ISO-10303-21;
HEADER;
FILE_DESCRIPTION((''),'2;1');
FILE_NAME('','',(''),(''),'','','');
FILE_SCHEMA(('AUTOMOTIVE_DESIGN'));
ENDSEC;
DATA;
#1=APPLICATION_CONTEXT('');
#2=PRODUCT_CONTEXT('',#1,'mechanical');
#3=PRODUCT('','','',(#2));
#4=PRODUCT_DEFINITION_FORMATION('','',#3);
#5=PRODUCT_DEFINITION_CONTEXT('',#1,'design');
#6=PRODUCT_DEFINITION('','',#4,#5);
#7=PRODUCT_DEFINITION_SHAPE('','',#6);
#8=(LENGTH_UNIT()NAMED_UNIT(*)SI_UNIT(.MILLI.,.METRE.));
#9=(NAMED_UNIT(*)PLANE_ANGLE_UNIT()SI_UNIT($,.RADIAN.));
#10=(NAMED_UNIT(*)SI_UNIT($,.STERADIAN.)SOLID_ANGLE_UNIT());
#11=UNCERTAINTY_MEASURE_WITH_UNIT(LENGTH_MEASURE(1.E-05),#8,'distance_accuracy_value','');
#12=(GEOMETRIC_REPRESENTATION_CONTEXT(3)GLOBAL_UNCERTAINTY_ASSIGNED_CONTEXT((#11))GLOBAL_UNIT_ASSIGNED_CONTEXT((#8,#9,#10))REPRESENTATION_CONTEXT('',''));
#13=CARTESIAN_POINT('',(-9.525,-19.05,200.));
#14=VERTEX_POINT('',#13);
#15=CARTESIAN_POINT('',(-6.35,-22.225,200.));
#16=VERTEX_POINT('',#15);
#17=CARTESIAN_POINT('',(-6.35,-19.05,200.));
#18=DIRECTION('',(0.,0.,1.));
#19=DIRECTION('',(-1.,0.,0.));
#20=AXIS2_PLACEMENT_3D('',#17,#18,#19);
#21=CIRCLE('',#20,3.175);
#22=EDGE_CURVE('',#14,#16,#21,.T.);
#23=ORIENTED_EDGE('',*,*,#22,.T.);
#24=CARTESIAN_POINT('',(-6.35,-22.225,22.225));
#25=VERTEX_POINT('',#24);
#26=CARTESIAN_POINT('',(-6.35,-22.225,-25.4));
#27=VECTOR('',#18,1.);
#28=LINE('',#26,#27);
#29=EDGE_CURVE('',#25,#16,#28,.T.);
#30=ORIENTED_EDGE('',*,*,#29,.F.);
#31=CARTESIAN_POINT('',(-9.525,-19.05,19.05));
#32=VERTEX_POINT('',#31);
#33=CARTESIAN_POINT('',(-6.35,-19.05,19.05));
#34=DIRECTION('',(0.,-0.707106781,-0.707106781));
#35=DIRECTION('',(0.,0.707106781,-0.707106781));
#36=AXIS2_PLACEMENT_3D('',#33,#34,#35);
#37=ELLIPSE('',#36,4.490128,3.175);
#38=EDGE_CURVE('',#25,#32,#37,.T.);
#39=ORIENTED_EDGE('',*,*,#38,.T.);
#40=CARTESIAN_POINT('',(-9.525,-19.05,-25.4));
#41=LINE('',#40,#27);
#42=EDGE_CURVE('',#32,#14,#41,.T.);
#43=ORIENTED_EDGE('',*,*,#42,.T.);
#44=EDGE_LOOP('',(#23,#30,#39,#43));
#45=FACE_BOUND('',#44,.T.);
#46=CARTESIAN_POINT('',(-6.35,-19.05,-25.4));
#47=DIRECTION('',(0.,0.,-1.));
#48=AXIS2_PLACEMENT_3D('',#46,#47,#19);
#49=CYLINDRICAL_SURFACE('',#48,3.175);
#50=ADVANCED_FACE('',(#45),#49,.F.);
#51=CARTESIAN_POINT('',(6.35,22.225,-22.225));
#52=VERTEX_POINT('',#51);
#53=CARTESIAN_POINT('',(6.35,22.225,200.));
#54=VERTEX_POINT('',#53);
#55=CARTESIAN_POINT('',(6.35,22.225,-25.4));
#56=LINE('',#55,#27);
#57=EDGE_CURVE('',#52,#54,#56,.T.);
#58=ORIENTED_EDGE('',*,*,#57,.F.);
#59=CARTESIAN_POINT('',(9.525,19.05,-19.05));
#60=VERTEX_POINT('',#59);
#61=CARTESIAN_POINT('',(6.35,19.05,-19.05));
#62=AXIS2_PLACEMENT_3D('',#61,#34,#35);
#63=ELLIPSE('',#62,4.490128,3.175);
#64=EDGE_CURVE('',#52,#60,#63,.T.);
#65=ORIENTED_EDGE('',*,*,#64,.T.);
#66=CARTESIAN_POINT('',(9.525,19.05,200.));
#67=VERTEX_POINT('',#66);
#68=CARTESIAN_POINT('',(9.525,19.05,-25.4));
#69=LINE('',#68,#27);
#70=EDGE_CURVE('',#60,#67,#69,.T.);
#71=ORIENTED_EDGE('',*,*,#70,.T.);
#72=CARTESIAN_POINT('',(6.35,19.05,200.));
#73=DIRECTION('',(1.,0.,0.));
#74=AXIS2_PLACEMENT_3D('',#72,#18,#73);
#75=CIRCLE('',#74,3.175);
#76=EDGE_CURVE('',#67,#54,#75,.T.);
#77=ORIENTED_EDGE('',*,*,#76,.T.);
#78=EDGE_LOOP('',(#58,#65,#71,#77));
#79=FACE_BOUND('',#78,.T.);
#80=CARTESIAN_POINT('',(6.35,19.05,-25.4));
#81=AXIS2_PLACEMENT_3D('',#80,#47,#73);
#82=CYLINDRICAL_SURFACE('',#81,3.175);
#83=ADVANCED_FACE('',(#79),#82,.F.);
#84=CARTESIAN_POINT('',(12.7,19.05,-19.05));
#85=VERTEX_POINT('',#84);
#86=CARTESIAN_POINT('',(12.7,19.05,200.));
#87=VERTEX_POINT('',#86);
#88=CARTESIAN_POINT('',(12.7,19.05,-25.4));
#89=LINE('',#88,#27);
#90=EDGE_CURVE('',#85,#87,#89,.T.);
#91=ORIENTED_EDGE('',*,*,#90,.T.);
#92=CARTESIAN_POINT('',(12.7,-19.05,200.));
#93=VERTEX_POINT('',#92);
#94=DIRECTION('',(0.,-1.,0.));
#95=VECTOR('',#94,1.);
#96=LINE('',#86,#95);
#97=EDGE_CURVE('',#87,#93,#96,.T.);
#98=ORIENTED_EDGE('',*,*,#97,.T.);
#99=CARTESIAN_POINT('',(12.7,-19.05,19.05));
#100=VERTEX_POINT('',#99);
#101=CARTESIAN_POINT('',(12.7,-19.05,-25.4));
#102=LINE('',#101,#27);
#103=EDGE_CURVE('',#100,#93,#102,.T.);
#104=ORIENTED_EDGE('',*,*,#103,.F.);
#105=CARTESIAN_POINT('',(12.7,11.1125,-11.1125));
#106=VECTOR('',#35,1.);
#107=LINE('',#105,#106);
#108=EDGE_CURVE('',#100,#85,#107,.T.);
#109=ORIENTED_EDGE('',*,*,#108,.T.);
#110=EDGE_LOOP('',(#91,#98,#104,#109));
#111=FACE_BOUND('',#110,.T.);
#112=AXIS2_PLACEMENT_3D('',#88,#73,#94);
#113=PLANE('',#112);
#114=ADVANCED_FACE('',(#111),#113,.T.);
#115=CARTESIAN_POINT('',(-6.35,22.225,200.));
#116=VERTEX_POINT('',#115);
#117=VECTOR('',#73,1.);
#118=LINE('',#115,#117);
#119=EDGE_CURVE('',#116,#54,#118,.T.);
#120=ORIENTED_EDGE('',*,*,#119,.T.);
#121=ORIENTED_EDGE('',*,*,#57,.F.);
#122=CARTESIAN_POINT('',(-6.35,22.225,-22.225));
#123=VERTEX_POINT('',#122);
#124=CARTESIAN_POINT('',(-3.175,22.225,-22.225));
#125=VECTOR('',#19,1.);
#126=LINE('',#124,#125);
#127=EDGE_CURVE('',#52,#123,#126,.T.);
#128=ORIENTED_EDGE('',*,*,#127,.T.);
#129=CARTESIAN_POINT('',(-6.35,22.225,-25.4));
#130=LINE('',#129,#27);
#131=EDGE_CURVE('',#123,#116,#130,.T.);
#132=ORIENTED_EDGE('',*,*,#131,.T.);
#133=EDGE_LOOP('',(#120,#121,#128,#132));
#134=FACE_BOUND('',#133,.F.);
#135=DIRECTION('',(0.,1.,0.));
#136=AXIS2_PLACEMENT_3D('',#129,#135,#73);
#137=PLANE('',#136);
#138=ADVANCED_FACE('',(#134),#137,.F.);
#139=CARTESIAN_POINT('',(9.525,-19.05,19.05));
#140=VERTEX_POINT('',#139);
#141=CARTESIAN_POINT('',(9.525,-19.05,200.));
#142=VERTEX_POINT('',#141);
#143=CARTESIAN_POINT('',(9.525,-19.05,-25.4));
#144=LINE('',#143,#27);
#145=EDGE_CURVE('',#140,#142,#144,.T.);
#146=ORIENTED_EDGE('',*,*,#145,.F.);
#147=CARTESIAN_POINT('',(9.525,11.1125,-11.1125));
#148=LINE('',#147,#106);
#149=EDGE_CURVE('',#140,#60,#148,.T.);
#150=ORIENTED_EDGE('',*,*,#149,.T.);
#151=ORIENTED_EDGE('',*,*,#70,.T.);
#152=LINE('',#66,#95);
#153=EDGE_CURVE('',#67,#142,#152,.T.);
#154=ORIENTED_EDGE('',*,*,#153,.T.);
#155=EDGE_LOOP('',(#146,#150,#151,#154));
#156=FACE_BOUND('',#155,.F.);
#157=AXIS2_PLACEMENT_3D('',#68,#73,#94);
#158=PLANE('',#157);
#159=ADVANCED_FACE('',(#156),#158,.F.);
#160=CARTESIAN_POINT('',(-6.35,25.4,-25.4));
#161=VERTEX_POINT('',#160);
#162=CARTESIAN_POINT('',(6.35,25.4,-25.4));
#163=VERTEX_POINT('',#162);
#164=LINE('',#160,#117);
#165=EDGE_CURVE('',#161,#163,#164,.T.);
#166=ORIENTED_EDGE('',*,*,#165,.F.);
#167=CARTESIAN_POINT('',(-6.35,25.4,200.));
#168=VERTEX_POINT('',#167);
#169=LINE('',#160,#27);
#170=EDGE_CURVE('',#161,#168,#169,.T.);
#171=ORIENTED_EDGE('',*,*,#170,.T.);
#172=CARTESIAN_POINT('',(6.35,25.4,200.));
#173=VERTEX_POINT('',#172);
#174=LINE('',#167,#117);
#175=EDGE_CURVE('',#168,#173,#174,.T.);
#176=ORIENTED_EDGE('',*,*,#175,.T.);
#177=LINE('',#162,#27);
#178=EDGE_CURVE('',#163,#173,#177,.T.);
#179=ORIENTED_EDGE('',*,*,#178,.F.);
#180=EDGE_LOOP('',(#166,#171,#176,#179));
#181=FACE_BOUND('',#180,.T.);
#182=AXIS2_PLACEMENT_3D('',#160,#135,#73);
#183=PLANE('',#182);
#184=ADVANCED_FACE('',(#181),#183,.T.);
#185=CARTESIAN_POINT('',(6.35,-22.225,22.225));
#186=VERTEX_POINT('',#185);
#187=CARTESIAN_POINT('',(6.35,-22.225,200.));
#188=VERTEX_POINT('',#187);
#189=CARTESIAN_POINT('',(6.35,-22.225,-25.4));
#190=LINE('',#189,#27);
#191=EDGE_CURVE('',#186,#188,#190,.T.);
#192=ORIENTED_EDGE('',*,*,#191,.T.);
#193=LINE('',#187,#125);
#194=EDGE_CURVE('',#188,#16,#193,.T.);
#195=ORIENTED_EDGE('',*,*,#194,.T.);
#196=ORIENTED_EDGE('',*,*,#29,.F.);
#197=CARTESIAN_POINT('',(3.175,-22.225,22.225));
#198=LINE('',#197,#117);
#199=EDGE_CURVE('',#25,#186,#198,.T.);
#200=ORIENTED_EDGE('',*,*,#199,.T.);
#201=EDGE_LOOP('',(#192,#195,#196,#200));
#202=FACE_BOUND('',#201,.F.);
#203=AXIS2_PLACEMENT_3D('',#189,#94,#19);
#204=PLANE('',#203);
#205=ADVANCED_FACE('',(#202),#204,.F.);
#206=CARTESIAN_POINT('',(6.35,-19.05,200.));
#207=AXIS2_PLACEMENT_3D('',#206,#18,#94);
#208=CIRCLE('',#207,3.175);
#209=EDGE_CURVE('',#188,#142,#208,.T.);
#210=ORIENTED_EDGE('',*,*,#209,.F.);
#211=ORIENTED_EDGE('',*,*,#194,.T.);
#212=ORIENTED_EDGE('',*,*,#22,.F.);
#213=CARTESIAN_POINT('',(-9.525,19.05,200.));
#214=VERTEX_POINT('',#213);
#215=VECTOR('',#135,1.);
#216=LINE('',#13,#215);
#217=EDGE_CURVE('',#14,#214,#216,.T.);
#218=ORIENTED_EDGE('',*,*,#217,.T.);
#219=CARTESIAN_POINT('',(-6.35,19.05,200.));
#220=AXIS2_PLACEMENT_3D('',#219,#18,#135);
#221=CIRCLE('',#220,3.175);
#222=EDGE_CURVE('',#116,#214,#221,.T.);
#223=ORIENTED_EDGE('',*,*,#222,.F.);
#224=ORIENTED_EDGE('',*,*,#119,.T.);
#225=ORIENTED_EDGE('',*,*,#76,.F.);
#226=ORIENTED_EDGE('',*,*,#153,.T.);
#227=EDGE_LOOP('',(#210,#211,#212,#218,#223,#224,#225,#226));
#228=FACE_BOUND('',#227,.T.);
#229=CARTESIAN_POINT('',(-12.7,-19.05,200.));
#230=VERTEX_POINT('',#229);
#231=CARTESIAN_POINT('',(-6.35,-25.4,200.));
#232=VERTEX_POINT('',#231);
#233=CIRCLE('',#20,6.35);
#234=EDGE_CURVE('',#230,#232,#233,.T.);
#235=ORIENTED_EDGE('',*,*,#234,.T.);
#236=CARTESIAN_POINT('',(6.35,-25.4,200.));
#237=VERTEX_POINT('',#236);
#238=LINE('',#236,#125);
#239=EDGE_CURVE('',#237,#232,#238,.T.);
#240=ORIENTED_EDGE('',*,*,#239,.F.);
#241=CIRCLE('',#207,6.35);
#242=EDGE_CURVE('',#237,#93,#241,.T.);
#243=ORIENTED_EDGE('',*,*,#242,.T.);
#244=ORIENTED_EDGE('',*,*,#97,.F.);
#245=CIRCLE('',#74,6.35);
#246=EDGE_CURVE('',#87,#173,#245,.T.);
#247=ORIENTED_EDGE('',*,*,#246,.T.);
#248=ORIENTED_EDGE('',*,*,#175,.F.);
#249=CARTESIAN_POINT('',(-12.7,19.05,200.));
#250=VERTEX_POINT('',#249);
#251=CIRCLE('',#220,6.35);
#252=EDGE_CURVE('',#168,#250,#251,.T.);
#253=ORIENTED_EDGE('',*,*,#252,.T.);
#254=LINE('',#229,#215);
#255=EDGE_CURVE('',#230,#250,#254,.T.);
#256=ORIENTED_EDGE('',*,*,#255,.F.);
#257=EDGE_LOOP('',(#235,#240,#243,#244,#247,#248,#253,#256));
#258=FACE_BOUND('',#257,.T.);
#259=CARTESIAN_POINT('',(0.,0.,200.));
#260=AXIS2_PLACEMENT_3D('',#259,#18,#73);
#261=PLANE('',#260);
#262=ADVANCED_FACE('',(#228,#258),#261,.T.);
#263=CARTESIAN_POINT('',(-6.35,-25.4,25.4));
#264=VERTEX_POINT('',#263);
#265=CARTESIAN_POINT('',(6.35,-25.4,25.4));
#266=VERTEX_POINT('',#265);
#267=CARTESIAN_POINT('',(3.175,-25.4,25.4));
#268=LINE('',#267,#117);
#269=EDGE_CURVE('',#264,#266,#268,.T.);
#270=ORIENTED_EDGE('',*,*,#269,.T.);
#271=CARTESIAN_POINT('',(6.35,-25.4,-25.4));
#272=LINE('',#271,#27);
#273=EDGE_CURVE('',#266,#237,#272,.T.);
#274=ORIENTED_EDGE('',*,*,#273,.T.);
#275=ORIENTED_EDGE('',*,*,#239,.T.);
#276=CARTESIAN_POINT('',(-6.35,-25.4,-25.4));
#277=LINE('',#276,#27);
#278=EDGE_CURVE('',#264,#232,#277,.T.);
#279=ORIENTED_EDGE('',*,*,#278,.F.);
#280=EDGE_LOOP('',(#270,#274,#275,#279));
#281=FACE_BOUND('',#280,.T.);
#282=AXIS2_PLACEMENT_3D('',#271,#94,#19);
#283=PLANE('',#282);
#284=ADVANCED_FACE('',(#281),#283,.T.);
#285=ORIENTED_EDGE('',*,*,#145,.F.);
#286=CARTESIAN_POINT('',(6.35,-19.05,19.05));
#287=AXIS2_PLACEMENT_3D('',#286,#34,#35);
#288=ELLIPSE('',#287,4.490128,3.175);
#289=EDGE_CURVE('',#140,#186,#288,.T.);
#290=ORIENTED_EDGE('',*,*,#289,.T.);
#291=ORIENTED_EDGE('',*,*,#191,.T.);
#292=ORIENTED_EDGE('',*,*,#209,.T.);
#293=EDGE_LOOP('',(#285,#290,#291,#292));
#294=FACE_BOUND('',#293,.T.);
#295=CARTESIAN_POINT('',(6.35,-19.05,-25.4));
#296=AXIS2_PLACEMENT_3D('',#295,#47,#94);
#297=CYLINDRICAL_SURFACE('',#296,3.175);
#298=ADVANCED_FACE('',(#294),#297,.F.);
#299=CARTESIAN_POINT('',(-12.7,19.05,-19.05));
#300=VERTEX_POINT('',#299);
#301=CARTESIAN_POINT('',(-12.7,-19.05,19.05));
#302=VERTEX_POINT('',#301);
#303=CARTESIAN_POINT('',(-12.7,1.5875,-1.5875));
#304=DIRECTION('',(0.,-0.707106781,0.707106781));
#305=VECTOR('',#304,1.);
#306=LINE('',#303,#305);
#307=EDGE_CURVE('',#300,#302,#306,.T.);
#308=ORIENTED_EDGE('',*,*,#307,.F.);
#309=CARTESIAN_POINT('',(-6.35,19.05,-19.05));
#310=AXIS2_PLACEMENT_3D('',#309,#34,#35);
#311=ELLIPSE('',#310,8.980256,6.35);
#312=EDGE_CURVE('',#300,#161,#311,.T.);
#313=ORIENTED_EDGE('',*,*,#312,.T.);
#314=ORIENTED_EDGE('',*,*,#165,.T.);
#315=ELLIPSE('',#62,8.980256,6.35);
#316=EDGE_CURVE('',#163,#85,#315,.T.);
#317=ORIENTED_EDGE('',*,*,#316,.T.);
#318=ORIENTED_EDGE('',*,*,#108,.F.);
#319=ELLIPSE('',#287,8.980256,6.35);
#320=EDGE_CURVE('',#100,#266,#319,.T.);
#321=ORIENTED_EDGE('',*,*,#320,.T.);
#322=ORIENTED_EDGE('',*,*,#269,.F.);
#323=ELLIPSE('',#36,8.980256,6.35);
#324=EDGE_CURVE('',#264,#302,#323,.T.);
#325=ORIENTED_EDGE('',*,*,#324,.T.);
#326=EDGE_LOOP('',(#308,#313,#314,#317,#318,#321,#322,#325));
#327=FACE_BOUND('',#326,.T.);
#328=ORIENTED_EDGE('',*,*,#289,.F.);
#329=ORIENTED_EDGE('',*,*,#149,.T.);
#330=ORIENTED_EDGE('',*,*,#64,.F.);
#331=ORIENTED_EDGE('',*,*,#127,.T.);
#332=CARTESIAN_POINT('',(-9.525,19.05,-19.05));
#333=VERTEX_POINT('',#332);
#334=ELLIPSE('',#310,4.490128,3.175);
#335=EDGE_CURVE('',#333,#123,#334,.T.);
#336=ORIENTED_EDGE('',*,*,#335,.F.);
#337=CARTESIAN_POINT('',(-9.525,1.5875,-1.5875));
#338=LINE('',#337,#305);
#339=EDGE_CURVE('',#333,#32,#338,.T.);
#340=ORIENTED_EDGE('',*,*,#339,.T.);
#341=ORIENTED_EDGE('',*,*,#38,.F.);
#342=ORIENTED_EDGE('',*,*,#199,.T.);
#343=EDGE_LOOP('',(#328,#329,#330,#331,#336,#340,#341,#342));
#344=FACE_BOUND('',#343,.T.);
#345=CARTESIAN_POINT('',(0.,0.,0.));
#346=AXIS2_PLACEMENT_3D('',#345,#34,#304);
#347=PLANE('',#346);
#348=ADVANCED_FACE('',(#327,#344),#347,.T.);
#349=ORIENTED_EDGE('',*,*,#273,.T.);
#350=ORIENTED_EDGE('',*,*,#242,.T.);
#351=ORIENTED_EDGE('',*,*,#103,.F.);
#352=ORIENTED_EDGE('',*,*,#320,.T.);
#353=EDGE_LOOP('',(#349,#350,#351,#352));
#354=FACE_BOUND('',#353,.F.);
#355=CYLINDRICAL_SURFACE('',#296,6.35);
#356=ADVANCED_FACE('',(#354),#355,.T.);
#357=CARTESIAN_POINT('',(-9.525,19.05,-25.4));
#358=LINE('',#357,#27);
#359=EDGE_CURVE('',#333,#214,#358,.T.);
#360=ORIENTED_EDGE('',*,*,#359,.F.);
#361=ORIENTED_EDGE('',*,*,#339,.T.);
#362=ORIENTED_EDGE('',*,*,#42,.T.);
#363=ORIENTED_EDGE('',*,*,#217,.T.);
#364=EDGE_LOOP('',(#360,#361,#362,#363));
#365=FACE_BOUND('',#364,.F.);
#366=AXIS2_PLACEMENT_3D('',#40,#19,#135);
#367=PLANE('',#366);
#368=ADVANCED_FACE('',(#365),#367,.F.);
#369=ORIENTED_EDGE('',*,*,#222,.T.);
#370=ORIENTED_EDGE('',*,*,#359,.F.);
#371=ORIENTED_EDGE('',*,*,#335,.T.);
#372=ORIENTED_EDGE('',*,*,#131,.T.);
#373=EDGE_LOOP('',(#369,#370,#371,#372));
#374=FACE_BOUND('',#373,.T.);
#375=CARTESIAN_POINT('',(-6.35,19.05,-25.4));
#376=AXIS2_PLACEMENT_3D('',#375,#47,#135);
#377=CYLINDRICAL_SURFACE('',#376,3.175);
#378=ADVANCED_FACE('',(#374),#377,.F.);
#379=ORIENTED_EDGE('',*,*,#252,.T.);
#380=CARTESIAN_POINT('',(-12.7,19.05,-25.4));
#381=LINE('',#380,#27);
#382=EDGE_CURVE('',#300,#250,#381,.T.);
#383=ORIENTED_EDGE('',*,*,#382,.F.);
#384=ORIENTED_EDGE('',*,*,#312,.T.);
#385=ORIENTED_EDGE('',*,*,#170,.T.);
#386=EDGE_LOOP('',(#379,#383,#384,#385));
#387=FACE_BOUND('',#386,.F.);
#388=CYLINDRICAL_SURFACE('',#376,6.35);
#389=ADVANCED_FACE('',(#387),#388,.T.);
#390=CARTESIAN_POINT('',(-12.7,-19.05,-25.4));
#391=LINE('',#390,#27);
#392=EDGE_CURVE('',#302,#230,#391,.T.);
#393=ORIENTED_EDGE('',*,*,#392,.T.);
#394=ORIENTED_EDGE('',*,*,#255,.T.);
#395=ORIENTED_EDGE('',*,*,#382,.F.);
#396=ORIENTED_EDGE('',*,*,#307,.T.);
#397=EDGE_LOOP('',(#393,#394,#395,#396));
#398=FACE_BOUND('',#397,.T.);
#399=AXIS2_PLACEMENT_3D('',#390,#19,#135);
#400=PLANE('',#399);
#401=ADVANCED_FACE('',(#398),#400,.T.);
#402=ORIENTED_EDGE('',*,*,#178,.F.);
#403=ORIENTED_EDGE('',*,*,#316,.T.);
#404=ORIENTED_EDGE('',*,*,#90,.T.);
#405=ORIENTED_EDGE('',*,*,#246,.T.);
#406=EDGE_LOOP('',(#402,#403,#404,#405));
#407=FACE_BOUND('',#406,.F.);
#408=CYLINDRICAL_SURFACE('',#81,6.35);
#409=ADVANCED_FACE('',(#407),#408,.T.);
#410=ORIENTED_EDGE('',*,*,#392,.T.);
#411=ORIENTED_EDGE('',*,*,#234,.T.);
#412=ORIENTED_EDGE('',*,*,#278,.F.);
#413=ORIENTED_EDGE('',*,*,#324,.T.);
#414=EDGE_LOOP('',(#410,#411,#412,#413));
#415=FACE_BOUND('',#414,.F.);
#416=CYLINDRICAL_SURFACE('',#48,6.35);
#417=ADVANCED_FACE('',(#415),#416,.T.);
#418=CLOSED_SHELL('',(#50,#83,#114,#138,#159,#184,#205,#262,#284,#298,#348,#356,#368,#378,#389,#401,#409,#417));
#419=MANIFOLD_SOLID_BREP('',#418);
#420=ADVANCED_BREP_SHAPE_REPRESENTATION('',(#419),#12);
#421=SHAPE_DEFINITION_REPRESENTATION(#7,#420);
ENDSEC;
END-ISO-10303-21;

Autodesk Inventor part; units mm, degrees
ref_plane "Start Plane" through (0, 0, -25.4) normal (0, 0, 1) x (1, 0, 0)
ref_plane "End Plane" through (0, 0, 200) normal (0, 0, 1) x (1, 0, 0)
sketch "Sketch" plane through (0, 0, 0) normal (0, 0, 1) x (1, 0, 0)
  line L0 (-12.7, -19.05) -> (-12.7, 19.05)
  line L1 (-6.35, 25.4) -> (6.35, 25.4)
  line L2 (12.7, 19.05) -> (12.7, -19.05)
  line L3 (6.35, -25.4) -> (-6.35, -25.4)
  arc A0 (-12.7, -19.05) -> (-6.35, -25.4) centre (-6.35, -19.05) ccw
  arc A1 (-6.35, 25.4) -> (-12.7, 19.05) centre (-6.35, 19.05) ccw
  arc A2 (12.7, 19.05) -> (6.35, 25.4) centre (6.35, 19.05) ccw
  arc A3 (6.35, -25.4) -> (12.7, -19.05) centre (6.35, -19.05) ccw
  arc A4 (-6.35, 22.225) -> (-9.525, 19.05) centre (-6.35, 19.05) ccw
  line L4 (-6.35, 22.225) -> (6.35, 22.225)
  arc A5 (9.525, 19.05) -> (6.35, 22.225) centre (6.35, 19.05) ccw
  line L5 (9.525, 19.05) -> (9.525, -19.05)
  arc A6 (6.35, -22.225) -> (9.525, -19.05) centre (6.35, -19.05) ccw
  line L6 (6.35, -22.225) -> (-6.35, -22.225)
  arc A7 (-9.525, -19.05) -> (-6.35, -22.225) centre (-6.35, -19.05) ccw
  line L7 (-9.525, -19.05) -> (-9.525, 19.05)
  line L8 (0, 37.4012) -> (0, -37.4012) construction
  line L9 (-19.6212, 0) -> (19.6212, 0) construction
  dimension "d10" = 50.8
  dimension "d11" = 25.4
  dimension "d12" = 3.175
  dimension "d15" = 25.4
  dimension "d16" = 12.7
  dimension "d17" = 6.35
extrude "Body" add sketch "Sketch" along normal up to surface (225.4 mm away) from surface at -25.4
sketch "Sketch3" plane through (0, 0, 0) normal (0, 0, 1) x (1, 0, 0)
  line L0 (0, 0) -> (10, 0)
ref_plane "Work Plane3" through (0, 0, 0) normal (0, -1, 0) x (1, 0, 0)
ref_plane "Work Plane4" through (0, 0, 0) normal (0, -0.7071, -0.7071) x (1, 0, 0)
split "Split1" plane through (0, 0, 0) removes the side toward (0, -0.7071, -0.7071)
sketch "Sketch4" plane through (0, 0, 0) normal (0, -1, 0) x (1, 0, 0)
  line L0 (-2, -25.4) -> (12, -25.4) projected
  line L1 (-2, 200) -> (12, 200) projected
  dimension "d19" = 225.4
equation "\"d10\" = G_H"
equation "\"d11\" = G_W"
equation "\"d12\" = G_T"
equation "\"d15\" = 0.5 * d10"
equation "\"d16\" = 0.5 * d11"
equation "\"d17\" = G_IR"
equation "\"d3\" = G_L"
equation "\"G_W\" = 25.4"
equation "\"G_H\" = 50.8"
equation "\"G_T\" = 3.175"
equation "\"G_IR\" = 6.35"
equation "\"G_L\" = d19"
equation "\"G_OFFSET_START\" = 25.4"
equation "\"G_OFFSET_END\" = 0"
equation "\"d13\" = -G_OFFSET_START"
equation "\"d14\" = G_OFFSET_END + B_L"
equation "\"B_L\" = 200"
properties part number "AISC - 2 x 1 x 1/8 - 8.874" material "Steel, Mild"
